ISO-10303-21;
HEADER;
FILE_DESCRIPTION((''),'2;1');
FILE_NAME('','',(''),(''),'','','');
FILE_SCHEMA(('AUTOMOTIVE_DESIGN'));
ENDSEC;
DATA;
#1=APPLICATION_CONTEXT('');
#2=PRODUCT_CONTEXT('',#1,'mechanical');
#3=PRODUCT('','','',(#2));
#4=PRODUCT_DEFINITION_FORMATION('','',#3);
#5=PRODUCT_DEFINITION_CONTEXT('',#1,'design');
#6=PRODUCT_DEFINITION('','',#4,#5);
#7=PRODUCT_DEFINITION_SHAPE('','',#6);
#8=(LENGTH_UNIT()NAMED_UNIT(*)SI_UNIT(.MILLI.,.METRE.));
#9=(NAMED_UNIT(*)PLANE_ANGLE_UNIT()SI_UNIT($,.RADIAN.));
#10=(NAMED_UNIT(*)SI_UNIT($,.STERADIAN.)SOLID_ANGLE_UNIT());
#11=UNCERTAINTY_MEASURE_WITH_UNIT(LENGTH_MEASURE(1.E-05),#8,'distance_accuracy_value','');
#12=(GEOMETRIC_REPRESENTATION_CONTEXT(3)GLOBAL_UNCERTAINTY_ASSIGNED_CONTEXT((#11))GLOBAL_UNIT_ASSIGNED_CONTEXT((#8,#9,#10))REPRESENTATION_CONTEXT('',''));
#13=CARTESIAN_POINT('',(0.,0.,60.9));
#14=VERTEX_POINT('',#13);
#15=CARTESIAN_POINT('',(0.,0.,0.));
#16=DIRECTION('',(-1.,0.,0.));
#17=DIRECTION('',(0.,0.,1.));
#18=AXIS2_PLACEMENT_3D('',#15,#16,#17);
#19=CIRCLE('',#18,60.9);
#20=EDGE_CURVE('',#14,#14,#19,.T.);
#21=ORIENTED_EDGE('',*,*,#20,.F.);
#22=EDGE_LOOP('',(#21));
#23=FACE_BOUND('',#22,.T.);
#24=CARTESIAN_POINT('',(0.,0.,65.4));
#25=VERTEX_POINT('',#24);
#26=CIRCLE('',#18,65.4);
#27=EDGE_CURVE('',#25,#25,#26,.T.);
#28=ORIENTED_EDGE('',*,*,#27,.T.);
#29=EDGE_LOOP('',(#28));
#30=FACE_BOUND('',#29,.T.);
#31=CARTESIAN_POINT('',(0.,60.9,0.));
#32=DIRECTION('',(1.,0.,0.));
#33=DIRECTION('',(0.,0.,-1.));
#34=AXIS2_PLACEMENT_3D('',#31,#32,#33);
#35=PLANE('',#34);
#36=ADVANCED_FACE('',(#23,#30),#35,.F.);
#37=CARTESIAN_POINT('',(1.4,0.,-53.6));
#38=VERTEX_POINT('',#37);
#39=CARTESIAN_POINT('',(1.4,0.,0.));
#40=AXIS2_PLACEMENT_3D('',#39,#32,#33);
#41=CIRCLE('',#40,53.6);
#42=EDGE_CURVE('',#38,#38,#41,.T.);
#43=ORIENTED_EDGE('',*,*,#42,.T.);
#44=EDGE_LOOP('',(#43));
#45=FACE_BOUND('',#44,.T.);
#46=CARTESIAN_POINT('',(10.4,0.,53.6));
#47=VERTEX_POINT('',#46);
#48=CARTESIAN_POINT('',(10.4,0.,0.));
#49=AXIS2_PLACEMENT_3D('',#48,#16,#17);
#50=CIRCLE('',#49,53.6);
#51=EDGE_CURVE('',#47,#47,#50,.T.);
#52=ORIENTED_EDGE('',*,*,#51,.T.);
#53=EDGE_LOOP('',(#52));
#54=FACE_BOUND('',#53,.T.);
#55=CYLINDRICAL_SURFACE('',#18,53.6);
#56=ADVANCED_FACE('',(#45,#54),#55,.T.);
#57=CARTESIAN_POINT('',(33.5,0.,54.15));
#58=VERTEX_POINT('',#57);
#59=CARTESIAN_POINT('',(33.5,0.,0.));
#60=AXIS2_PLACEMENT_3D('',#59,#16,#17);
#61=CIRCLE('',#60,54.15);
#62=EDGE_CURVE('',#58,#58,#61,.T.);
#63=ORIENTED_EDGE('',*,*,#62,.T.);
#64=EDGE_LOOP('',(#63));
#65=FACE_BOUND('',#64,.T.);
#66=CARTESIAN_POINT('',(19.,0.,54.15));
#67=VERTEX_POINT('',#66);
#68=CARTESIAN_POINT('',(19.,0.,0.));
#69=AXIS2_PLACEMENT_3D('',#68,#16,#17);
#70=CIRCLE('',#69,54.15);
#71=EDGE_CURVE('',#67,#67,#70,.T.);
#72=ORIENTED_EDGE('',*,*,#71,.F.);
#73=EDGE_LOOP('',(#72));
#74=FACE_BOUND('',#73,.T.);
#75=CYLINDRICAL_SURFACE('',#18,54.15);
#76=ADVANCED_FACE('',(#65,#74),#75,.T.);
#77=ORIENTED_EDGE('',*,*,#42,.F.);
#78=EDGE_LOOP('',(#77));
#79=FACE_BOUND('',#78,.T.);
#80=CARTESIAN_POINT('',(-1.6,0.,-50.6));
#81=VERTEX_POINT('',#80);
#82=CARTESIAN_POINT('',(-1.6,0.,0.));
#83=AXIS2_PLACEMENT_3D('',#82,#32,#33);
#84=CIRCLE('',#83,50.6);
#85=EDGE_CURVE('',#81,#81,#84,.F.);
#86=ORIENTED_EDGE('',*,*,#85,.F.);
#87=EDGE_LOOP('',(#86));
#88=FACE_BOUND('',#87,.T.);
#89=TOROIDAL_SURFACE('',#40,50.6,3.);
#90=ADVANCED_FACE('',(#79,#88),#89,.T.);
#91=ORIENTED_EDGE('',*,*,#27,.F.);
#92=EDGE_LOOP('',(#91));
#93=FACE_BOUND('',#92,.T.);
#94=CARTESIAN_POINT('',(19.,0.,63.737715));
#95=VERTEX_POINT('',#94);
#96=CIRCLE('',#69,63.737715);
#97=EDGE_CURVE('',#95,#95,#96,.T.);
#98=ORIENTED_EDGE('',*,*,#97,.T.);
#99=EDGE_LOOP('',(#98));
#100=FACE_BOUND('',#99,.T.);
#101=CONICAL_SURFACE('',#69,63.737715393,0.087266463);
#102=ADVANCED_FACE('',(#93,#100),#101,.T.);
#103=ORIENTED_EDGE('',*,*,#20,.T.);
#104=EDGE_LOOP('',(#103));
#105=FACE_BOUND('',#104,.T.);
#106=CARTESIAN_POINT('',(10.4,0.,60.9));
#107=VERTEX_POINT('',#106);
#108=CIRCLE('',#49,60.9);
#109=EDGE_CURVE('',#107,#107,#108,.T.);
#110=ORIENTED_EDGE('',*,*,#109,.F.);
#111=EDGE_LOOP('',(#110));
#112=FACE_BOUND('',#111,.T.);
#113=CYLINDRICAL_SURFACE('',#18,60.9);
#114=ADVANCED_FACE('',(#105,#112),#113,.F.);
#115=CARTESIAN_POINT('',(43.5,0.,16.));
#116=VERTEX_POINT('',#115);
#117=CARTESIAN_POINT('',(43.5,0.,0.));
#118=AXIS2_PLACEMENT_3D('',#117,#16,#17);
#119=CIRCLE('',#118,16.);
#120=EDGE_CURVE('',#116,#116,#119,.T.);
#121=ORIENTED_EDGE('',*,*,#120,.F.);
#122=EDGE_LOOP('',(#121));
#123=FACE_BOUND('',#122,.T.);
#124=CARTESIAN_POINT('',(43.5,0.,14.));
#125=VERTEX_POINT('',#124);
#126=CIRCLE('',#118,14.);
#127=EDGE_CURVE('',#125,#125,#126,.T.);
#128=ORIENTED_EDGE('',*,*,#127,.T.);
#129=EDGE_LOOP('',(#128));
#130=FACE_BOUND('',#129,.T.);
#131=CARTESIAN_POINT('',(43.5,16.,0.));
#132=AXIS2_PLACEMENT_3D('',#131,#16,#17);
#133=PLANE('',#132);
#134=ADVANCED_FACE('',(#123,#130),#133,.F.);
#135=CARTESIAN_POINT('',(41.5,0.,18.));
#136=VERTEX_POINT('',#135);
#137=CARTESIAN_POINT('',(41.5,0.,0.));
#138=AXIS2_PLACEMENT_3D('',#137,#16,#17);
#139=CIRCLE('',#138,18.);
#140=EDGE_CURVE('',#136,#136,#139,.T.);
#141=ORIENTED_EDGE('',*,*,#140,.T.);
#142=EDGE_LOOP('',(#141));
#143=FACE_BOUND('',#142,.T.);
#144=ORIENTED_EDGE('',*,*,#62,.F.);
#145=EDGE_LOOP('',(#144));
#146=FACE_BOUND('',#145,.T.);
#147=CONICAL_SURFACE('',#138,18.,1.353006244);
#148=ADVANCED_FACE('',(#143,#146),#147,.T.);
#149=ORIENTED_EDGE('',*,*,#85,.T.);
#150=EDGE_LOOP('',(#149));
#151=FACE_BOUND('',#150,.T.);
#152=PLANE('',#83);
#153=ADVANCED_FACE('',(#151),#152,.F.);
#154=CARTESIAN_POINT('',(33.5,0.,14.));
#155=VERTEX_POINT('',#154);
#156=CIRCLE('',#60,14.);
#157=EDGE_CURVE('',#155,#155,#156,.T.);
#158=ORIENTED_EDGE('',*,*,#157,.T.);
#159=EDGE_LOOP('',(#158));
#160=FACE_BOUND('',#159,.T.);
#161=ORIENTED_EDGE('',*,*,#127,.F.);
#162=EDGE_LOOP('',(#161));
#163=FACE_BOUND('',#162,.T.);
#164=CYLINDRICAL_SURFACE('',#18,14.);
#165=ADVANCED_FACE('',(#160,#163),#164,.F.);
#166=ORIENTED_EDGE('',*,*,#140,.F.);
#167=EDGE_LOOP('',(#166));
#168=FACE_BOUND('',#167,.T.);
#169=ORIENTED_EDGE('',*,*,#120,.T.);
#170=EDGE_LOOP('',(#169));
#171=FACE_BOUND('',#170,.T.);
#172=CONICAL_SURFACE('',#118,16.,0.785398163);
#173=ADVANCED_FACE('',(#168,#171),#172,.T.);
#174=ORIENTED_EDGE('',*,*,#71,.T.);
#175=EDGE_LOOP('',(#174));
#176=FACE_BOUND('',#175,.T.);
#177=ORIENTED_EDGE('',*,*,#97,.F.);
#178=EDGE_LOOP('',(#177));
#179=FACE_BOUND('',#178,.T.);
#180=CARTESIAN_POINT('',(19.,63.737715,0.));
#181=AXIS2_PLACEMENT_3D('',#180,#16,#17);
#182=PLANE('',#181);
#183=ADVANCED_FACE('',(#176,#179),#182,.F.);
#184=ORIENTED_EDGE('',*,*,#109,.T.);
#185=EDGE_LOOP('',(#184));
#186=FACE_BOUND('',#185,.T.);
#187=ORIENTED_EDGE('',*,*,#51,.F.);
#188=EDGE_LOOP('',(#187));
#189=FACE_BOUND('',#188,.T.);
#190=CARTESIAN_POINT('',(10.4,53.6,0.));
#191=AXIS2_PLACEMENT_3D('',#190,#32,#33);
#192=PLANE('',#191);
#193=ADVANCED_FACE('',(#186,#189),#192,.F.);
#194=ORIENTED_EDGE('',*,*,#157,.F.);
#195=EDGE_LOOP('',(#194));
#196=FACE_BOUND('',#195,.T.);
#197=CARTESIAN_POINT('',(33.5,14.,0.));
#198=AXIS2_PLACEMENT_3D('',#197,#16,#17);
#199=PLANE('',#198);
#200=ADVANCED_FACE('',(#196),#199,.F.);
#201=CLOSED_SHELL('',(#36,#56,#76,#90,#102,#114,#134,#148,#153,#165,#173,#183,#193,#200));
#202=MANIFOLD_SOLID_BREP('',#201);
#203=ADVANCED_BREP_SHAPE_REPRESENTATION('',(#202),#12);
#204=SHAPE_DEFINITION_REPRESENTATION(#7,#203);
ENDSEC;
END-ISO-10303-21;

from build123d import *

# Parameters (mm, degrees)
FILLET1_R = 3


with BuildPart() as part:
    # Sketch1 → Revolve1 (revolve)
    with BuildSketch(Plane.XY):
        Polygon((0, 65.4), (19, 63.737715393), (19, 54.15), (33.5, 54.15), (41.5, 18), (43.5, 16), (43.5, 14), (33.5, 14), (33.5, 0), (0, 0), (-1.6, 0), (-1.6, 53.6), (10.4, 53.6), (10.4, 60.9), (0, 60.9), align=None)
    revolve(axis=Axis((0, 0, 0), (1, 0, 0)))

    # Fillet1
    fillet1_edges = [part.edges().sort_by_distance(p)[0] for p in [
        (-1.6, -53.6, 0),
    ]]
    fillet(fillet1_edges, radius=FILLET1_R)


solid = part.part
